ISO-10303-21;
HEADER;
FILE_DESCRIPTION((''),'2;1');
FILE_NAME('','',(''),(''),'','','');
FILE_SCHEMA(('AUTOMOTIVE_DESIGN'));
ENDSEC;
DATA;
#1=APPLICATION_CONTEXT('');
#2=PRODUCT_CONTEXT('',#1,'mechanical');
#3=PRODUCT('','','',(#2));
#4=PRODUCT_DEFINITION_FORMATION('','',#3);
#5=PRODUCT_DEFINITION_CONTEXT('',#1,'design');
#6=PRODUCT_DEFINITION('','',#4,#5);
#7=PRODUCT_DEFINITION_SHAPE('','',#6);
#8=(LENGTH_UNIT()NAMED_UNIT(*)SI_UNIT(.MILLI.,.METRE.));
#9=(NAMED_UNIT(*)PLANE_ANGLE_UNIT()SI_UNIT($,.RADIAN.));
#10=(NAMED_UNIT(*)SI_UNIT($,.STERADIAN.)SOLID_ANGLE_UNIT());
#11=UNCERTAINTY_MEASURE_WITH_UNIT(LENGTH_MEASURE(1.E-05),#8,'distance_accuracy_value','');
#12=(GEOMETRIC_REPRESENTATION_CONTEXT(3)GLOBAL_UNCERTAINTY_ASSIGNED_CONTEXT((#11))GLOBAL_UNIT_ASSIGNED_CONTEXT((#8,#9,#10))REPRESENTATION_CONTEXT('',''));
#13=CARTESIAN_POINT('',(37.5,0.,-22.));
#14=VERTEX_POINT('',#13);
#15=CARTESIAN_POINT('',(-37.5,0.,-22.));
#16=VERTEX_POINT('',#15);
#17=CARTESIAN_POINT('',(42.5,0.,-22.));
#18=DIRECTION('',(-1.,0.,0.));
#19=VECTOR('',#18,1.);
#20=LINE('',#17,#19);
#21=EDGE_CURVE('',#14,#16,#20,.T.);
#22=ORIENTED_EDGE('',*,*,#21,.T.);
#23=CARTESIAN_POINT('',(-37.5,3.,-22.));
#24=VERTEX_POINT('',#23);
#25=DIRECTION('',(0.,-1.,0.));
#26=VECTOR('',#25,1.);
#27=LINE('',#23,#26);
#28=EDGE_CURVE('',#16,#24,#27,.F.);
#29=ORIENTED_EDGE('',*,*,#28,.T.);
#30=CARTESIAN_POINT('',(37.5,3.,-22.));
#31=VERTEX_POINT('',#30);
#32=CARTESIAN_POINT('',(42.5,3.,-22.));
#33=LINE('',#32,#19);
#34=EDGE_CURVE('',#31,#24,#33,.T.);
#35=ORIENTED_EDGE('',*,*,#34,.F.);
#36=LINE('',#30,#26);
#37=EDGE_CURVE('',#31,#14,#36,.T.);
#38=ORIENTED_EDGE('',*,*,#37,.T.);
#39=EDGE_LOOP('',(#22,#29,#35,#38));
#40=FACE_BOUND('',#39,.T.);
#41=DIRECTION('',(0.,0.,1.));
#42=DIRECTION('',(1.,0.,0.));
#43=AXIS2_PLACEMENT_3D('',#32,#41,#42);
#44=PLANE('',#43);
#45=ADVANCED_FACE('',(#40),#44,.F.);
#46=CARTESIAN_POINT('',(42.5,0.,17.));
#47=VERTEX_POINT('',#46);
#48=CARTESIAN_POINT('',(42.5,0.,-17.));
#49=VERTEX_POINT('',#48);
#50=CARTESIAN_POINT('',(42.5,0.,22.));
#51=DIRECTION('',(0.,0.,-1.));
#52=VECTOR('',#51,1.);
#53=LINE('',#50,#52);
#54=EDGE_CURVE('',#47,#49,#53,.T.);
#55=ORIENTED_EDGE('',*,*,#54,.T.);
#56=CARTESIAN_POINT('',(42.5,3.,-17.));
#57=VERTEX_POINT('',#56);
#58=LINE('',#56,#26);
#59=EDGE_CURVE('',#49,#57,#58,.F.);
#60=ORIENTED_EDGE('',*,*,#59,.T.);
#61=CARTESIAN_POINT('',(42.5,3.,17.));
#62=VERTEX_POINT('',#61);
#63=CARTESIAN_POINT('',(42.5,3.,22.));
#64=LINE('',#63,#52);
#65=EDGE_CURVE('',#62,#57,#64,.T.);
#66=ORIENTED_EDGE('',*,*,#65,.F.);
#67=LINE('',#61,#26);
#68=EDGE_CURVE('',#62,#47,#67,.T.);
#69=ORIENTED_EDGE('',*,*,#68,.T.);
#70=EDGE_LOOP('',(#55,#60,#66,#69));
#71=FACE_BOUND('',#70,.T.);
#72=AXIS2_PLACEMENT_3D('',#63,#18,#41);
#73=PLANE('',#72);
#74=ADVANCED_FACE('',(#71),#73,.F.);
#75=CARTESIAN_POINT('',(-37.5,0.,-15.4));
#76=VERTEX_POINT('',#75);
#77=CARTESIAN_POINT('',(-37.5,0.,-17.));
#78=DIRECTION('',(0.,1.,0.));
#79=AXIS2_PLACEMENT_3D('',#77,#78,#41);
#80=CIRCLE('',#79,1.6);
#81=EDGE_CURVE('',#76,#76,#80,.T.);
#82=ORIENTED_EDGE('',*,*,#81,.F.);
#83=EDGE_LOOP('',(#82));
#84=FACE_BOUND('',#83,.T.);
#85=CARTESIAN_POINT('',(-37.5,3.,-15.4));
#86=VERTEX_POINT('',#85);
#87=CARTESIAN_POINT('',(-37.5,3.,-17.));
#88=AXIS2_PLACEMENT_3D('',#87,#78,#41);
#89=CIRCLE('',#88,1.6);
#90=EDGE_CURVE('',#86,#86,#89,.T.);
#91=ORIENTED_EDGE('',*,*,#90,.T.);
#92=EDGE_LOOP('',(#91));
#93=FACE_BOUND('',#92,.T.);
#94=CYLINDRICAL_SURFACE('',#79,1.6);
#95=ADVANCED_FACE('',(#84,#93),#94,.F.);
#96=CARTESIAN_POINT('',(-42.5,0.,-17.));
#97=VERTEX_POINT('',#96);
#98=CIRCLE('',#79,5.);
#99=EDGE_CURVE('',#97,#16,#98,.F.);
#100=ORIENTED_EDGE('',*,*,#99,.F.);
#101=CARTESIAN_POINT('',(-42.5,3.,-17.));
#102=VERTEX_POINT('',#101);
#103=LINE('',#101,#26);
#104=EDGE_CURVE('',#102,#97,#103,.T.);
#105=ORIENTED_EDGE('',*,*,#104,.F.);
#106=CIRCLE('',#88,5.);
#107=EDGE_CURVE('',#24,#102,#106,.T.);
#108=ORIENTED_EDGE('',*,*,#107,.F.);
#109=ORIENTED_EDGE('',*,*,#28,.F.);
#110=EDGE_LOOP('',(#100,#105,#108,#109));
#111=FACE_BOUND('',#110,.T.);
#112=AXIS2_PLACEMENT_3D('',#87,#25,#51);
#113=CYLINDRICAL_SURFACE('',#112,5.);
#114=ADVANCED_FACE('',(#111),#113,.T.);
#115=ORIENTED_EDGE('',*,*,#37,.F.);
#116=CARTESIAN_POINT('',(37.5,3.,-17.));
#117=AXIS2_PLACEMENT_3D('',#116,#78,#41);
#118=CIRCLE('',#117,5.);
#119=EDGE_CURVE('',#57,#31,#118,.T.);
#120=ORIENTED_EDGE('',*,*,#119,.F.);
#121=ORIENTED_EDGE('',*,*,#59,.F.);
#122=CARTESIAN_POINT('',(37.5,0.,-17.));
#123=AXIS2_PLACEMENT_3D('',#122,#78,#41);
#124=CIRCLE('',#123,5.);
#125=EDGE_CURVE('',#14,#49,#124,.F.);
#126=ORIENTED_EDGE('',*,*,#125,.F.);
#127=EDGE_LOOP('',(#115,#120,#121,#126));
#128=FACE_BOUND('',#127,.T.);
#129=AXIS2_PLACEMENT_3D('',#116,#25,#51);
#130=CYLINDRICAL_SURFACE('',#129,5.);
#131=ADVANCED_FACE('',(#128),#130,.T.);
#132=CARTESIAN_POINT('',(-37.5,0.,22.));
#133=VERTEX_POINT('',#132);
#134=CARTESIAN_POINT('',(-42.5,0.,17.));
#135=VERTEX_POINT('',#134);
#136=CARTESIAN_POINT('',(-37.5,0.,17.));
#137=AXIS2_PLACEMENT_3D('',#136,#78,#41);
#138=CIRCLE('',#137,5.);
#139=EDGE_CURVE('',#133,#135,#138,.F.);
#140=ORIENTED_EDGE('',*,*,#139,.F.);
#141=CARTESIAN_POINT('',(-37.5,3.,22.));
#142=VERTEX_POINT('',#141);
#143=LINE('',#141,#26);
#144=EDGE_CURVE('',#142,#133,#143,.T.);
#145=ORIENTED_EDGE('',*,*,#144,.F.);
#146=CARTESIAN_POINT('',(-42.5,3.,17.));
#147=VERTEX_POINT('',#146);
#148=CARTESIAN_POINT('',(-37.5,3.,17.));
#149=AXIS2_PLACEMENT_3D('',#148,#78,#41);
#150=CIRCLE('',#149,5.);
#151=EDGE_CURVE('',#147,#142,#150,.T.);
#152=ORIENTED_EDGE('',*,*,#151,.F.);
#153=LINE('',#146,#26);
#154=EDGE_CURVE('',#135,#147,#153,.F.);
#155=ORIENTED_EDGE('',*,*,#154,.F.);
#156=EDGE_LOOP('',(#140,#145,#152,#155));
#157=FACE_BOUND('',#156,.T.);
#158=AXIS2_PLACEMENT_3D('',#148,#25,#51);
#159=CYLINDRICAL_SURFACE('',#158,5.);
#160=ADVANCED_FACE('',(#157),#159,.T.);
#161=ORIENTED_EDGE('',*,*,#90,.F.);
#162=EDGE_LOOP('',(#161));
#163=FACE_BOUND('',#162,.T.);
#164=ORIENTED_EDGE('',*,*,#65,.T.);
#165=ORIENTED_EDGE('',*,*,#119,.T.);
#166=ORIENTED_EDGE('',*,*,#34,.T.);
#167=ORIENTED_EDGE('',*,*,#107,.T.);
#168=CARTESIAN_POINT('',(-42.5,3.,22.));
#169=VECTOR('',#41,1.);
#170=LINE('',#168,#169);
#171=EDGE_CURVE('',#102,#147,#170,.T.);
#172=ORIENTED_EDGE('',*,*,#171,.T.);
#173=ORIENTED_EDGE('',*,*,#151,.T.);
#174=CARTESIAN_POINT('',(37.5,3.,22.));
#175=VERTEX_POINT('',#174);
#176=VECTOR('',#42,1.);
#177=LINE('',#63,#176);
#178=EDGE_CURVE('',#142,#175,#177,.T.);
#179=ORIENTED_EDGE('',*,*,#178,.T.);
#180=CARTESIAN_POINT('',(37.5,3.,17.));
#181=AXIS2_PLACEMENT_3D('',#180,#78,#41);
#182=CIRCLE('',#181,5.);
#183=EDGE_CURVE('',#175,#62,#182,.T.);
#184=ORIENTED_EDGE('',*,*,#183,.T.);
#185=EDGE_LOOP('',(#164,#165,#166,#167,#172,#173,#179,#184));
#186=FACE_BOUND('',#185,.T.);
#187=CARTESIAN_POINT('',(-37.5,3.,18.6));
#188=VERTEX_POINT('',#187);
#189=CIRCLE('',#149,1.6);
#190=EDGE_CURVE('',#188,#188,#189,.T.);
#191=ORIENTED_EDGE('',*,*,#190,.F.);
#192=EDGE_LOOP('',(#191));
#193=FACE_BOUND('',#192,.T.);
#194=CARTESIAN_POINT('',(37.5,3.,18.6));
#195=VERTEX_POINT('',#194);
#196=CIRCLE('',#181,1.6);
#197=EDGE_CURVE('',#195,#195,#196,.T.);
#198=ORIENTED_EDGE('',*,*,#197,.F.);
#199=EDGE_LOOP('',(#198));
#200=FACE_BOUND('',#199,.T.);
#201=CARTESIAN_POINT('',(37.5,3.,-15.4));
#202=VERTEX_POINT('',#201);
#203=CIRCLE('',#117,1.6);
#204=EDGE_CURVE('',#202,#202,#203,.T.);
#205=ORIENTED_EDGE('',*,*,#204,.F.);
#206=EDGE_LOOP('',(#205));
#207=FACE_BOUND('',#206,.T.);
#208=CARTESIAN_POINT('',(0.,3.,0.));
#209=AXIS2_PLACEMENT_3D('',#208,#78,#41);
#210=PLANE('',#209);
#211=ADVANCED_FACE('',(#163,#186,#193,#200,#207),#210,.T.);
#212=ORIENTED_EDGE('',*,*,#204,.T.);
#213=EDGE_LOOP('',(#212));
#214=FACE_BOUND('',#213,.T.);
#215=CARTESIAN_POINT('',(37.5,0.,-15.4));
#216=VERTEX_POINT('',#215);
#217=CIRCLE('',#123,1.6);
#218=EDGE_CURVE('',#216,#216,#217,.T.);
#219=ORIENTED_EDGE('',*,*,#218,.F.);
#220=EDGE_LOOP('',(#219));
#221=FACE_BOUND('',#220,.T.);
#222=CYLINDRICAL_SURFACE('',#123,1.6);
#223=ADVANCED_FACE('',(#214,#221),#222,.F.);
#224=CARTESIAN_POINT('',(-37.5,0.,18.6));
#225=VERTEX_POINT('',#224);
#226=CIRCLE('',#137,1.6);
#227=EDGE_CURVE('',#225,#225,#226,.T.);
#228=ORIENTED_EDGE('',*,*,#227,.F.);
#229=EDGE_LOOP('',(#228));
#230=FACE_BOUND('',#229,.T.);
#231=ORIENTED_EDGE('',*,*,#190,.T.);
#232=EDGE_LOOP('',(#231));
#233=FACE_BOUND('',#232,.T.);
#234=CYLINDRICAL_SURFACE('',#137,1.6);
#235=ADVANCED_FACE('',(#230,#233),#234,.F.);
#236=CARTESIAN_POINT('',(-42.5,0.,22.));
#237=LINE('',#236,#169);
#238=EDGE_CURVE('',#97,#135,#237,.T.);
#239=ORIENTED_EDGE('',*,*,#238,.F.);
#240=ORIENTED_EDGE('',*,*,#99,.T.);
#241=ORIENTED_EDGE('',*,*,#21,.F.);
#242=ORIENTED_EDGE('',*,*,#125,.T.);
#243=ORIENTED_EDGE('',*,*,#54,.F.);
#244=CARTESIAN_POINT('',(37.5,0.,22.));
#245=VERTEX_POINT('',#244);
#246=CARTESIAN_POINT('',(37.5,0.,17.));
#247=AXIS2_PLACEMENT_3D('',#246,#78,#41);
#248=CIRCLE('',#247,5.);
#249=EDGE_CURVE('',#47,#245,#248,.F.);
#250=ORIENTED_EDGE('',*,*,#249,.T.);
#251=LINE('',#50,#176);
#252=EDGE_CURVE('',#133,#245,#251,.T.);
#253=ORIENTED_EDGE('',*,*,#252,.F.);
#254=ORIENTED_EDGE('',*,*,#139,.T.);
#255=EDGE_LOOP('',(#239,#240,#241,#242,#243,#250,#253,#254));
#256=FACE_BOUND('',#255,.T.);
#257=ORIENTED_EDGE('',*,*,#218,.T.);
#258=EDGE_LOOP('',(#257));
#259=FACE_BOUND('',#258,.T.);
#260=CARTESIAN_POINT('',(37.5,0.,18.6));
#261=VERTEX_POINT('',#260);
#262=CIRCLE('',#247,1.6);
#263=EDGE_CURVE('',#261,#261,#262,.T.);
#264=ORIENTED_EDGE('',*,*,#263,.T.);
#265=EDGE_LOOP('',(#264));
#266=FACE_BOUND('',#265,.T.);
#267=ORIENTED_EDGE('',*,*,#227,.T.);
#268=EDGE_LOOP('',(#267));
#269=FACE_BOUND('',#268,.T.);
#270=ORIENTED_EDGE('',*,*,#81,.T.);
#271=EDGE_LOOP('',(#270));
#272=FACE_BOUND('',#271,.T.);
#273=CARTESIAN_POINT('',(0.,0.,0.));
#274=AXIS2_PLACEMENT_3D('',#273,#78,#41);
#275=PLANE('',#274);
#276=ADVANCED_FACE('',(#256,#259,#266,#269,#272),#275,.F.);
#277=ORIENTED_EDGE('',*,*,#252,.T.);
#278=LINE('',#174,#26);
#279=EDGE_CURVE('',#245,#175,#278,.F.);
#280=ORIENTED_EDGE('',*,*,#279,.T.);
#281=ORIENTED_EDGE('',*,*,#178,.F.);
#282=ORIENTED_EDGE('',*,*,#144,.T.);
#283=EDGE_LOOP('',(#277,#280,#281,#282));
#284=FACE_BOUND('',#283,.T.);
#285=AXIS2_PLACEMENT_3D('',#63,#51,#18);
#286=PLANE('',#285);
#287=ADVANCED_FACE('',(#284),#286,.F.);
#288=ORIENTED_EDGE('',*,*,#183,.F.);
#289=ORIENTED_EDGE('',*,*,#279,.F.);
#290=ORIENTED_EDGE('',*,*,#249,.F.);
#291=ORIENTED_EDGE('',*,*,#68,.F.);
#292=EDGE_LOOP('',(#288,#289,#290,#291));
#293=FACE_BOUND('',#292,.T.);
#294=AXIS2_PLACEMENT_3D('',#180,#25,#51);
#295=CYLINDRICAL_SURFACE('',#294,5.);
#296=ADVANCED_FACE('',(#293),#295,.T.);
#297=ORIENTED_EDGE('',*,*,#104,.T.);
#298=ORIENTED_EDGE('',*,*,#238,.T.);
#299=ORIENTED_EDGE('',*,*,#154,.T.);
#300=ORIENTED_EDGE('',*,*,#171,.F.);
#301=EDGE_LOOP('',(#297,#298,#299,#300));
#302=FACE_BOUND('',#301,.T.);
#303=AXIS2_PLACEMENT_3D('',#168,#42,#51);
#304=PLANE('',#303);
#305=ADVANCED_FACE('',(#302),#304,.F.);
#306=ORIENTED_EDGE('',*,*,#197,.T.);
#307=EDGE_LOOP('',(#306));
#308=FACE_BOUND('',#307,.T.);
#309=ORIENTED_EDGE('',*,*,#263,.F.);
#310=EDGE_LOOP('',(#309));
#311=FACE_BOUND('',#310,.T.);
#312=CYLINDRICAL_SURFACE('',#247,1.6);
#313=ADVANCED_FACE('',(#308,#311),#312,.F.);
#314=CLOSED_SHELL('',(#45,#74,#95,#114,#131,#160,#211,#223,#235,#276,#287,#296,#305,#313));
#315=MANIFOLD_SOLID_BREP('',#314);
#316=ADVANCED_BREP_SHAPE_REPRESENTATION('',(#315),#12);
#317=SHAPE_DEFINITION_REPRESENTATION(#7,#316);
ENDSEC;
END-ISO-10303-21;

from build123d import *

# Parameters (mm, degrees)
SKETCH_1_W          = 85
SKETCH_1_H          = 44
EXTRUDE_1_DEPTH     = 3
SKETCH_2_R          = 1.6
CUT_EXTRUDE_1_DEPTH = 4
FILLET_1_R          = 5


with BuildPart() as part:
    # 草图1 → 凸台-拉伸1 (new body)
    with BuildSketch(Plane(origin=(0, 0, 0), x_dir=(1, 0, 0), z_dir=(0, 1, 0))):
        Rectangle(SKETCH_1_W, SKETCH_1_H)
    extrude(amount=EXTRUDE_1_DEPTH)

    # 草图2 → 切除-拉伸1 (cut, through all)
    with BuildSketch(Plane(origin=(0, 3, 0), x_dir=(1, 0, 0), z_dir=(0, 1, 0))):
        with Locations((-37.5, 17)):
            Circle(SKETCH_2_R)
        with Locations((-37.5, -17)):
            Circle(SKETCH_2_R)
        with Locations((37.5, 17)):
            Circle(SKETCH_2_R)
        with Locations((37.5, -17)):
            Circle(SKETCH_2_R)
    extrude(amount=-CUT_EXTRUDE_1_DEPTH, mode=Mode.SUBTRACT)

    # 圆角1
    fillet_1_edges = [part.edges().sort_by_distance(p)[0] for p in [
        (-42.5, 1.5, -22),
        (42.5, 1.5, -22),
        (42.5, 1.5, 22),
        (-42.5, 1.5, 22),
    ]]
    fillet(fillet_1_edges, radius=FILLET_1_R)


solid = part.part
